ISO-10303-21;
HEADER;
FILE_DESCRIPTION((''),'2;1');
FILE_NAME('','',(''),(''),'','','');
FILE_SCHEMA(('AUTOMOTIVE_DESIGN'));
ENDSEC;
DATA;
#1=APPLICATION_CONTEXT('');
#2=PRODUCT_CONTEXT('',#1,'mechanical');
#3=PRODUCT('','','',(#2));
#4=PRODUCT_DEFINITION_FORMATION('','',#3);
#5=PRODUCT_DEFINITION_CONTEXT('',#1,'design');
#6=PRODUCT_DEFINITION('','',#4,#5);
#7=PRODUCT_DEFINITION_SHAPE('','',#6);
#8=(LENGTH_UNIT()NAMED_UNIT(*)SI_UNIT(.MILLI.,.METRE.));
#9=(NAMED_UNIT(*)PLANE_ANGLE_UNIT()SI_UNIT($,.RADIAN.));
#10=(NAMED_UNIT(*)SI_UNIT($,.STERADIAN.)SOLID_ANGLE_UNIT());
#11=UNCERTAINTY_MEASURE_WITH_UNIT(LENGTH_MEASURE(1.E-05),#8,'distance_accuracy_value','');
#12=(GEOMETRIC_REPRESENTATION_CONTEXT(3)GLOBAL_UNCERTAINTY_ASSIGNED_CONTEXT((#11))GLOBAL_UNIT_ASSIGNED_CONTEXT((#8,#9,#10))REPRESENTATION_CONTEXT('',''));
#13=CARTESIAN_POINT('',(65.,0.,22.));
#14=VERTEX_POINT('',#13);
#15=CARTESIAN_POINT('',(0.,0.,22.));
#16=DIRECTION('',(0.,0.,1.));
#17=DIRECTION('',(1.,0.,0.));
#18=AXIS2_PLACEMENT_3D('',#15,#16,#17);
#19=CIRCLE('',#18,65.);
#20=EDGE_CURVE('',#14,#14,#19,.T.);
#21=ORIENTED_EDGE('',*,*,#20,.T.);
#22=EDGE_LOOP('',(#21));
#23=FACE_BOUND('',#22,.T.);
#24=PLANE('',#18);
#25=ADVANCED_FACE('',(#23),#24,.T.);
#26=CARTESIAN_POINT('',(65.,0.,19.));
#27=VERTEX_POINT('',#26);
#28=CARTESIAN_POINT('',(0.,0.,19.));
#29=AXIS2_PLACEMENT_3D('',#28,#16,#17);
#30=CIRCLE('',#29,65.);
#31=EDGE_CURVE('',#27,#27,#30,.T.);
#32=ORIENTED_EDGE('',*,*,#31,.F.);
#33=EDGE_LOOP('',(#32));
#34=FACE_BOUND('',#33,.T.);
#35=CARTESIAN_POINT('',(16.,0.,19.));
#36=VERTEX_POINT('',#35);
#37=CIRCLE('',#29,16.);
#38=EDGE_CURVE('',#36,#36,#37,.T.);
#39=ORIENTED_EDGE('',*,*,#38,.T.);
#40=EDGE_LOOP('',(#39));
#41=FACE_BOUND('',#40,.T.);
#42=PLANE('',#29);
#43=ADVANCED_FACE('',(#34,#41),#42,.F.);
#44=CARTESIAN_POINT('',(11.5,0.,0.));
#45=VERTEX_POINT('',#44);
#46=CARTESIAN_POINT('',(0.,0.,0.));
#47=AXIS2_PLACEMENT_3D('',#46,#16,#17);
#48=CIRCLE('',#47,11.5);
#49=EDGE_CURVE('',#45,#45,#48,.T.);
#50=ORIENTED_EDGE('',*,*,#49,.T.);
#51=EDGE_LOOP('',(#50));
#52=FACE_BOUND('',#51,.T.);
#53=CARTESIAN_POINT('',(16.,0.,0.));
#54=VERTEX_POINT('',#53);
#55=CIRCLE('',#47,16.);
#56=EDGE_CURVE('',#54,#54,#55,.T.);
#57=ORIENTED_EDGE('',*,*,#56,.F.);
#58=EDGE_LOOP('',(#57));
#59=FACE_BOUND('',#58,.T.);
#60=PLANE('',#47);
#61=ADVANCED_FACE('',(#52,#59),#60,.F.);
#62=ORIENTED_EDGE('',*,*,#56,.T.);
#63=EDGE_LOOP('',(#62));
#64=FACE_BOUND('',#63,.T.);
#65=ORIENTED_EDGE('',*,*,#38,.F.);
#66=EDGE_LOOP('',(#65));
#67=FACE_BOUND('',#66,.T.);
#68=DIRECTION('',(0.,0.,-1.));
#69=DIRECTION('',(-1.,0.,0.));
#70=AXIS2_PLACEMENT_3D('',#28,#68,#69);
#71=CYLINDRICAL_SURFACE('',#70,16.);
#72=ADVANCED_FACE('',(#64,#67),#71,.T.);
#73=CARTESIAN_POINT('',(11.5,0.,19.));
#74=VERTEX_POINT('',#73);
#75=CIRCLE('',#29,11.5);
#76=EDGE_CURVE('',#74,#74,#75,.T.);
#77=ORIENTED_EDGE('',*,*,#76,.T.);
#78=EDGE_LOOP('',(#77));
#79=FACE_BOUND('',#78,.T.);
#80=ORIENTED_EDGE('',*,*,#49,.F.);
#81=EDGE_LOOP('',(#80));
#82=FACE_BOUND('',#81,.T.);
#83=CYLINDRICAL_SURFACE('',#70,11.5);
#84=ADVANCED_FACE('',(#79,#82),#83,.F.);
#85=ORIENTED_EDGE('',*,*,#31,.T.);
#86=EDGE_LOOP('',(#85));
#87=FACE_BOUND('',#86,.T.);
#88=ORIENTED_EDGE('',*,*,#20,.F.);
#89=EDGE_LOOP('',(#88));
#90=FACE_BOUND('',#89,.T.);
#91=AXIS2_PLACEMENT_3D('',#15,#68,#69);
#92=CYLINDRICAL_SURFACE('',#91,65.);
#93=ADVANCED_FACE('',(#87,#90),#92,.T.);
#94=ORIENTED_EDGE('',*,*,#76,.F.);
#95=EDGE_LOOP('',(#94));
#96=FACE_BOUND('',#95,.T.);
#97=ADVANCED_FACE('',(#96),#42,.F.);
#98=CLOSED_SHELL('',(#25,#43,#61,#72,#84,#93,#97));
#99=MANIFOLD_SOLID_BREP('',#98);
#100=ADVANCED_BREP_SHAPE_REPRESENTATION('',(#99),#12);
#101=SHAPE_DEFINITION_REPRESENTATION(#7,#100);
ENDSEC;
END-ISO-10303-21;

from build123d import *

# Parameters (mm, degrees)
SKETCH_1_R      = 16
SKETCH_1_R_2    = 11.5
EXTRUDE_1_DEPTH = 19
SKETCH_2_R      = 65
EXTRUDE_2_DEPTH = 3


with BuildPart() as part:
    # Эскиз1 → Бобышка-Вытянуть1 (new body)
    with BuildSketch(Plane.XY):
        Circle(SKETCH_1_R)
        Circle(SKETCH_1_R_2, mode=Mode.SUBTRACT)
    extrude(amount=EXTRUDE_1_DEPTH)

    # Эскиз2 → Бобышка-Вытянуть2 (add)
    with BuildSketch(Plane.XY.offset(19)):
        Circle(SKETCH_2_R)
    extrude(amount=EXTRUDE_2_DEPTH)


solid = part.part
